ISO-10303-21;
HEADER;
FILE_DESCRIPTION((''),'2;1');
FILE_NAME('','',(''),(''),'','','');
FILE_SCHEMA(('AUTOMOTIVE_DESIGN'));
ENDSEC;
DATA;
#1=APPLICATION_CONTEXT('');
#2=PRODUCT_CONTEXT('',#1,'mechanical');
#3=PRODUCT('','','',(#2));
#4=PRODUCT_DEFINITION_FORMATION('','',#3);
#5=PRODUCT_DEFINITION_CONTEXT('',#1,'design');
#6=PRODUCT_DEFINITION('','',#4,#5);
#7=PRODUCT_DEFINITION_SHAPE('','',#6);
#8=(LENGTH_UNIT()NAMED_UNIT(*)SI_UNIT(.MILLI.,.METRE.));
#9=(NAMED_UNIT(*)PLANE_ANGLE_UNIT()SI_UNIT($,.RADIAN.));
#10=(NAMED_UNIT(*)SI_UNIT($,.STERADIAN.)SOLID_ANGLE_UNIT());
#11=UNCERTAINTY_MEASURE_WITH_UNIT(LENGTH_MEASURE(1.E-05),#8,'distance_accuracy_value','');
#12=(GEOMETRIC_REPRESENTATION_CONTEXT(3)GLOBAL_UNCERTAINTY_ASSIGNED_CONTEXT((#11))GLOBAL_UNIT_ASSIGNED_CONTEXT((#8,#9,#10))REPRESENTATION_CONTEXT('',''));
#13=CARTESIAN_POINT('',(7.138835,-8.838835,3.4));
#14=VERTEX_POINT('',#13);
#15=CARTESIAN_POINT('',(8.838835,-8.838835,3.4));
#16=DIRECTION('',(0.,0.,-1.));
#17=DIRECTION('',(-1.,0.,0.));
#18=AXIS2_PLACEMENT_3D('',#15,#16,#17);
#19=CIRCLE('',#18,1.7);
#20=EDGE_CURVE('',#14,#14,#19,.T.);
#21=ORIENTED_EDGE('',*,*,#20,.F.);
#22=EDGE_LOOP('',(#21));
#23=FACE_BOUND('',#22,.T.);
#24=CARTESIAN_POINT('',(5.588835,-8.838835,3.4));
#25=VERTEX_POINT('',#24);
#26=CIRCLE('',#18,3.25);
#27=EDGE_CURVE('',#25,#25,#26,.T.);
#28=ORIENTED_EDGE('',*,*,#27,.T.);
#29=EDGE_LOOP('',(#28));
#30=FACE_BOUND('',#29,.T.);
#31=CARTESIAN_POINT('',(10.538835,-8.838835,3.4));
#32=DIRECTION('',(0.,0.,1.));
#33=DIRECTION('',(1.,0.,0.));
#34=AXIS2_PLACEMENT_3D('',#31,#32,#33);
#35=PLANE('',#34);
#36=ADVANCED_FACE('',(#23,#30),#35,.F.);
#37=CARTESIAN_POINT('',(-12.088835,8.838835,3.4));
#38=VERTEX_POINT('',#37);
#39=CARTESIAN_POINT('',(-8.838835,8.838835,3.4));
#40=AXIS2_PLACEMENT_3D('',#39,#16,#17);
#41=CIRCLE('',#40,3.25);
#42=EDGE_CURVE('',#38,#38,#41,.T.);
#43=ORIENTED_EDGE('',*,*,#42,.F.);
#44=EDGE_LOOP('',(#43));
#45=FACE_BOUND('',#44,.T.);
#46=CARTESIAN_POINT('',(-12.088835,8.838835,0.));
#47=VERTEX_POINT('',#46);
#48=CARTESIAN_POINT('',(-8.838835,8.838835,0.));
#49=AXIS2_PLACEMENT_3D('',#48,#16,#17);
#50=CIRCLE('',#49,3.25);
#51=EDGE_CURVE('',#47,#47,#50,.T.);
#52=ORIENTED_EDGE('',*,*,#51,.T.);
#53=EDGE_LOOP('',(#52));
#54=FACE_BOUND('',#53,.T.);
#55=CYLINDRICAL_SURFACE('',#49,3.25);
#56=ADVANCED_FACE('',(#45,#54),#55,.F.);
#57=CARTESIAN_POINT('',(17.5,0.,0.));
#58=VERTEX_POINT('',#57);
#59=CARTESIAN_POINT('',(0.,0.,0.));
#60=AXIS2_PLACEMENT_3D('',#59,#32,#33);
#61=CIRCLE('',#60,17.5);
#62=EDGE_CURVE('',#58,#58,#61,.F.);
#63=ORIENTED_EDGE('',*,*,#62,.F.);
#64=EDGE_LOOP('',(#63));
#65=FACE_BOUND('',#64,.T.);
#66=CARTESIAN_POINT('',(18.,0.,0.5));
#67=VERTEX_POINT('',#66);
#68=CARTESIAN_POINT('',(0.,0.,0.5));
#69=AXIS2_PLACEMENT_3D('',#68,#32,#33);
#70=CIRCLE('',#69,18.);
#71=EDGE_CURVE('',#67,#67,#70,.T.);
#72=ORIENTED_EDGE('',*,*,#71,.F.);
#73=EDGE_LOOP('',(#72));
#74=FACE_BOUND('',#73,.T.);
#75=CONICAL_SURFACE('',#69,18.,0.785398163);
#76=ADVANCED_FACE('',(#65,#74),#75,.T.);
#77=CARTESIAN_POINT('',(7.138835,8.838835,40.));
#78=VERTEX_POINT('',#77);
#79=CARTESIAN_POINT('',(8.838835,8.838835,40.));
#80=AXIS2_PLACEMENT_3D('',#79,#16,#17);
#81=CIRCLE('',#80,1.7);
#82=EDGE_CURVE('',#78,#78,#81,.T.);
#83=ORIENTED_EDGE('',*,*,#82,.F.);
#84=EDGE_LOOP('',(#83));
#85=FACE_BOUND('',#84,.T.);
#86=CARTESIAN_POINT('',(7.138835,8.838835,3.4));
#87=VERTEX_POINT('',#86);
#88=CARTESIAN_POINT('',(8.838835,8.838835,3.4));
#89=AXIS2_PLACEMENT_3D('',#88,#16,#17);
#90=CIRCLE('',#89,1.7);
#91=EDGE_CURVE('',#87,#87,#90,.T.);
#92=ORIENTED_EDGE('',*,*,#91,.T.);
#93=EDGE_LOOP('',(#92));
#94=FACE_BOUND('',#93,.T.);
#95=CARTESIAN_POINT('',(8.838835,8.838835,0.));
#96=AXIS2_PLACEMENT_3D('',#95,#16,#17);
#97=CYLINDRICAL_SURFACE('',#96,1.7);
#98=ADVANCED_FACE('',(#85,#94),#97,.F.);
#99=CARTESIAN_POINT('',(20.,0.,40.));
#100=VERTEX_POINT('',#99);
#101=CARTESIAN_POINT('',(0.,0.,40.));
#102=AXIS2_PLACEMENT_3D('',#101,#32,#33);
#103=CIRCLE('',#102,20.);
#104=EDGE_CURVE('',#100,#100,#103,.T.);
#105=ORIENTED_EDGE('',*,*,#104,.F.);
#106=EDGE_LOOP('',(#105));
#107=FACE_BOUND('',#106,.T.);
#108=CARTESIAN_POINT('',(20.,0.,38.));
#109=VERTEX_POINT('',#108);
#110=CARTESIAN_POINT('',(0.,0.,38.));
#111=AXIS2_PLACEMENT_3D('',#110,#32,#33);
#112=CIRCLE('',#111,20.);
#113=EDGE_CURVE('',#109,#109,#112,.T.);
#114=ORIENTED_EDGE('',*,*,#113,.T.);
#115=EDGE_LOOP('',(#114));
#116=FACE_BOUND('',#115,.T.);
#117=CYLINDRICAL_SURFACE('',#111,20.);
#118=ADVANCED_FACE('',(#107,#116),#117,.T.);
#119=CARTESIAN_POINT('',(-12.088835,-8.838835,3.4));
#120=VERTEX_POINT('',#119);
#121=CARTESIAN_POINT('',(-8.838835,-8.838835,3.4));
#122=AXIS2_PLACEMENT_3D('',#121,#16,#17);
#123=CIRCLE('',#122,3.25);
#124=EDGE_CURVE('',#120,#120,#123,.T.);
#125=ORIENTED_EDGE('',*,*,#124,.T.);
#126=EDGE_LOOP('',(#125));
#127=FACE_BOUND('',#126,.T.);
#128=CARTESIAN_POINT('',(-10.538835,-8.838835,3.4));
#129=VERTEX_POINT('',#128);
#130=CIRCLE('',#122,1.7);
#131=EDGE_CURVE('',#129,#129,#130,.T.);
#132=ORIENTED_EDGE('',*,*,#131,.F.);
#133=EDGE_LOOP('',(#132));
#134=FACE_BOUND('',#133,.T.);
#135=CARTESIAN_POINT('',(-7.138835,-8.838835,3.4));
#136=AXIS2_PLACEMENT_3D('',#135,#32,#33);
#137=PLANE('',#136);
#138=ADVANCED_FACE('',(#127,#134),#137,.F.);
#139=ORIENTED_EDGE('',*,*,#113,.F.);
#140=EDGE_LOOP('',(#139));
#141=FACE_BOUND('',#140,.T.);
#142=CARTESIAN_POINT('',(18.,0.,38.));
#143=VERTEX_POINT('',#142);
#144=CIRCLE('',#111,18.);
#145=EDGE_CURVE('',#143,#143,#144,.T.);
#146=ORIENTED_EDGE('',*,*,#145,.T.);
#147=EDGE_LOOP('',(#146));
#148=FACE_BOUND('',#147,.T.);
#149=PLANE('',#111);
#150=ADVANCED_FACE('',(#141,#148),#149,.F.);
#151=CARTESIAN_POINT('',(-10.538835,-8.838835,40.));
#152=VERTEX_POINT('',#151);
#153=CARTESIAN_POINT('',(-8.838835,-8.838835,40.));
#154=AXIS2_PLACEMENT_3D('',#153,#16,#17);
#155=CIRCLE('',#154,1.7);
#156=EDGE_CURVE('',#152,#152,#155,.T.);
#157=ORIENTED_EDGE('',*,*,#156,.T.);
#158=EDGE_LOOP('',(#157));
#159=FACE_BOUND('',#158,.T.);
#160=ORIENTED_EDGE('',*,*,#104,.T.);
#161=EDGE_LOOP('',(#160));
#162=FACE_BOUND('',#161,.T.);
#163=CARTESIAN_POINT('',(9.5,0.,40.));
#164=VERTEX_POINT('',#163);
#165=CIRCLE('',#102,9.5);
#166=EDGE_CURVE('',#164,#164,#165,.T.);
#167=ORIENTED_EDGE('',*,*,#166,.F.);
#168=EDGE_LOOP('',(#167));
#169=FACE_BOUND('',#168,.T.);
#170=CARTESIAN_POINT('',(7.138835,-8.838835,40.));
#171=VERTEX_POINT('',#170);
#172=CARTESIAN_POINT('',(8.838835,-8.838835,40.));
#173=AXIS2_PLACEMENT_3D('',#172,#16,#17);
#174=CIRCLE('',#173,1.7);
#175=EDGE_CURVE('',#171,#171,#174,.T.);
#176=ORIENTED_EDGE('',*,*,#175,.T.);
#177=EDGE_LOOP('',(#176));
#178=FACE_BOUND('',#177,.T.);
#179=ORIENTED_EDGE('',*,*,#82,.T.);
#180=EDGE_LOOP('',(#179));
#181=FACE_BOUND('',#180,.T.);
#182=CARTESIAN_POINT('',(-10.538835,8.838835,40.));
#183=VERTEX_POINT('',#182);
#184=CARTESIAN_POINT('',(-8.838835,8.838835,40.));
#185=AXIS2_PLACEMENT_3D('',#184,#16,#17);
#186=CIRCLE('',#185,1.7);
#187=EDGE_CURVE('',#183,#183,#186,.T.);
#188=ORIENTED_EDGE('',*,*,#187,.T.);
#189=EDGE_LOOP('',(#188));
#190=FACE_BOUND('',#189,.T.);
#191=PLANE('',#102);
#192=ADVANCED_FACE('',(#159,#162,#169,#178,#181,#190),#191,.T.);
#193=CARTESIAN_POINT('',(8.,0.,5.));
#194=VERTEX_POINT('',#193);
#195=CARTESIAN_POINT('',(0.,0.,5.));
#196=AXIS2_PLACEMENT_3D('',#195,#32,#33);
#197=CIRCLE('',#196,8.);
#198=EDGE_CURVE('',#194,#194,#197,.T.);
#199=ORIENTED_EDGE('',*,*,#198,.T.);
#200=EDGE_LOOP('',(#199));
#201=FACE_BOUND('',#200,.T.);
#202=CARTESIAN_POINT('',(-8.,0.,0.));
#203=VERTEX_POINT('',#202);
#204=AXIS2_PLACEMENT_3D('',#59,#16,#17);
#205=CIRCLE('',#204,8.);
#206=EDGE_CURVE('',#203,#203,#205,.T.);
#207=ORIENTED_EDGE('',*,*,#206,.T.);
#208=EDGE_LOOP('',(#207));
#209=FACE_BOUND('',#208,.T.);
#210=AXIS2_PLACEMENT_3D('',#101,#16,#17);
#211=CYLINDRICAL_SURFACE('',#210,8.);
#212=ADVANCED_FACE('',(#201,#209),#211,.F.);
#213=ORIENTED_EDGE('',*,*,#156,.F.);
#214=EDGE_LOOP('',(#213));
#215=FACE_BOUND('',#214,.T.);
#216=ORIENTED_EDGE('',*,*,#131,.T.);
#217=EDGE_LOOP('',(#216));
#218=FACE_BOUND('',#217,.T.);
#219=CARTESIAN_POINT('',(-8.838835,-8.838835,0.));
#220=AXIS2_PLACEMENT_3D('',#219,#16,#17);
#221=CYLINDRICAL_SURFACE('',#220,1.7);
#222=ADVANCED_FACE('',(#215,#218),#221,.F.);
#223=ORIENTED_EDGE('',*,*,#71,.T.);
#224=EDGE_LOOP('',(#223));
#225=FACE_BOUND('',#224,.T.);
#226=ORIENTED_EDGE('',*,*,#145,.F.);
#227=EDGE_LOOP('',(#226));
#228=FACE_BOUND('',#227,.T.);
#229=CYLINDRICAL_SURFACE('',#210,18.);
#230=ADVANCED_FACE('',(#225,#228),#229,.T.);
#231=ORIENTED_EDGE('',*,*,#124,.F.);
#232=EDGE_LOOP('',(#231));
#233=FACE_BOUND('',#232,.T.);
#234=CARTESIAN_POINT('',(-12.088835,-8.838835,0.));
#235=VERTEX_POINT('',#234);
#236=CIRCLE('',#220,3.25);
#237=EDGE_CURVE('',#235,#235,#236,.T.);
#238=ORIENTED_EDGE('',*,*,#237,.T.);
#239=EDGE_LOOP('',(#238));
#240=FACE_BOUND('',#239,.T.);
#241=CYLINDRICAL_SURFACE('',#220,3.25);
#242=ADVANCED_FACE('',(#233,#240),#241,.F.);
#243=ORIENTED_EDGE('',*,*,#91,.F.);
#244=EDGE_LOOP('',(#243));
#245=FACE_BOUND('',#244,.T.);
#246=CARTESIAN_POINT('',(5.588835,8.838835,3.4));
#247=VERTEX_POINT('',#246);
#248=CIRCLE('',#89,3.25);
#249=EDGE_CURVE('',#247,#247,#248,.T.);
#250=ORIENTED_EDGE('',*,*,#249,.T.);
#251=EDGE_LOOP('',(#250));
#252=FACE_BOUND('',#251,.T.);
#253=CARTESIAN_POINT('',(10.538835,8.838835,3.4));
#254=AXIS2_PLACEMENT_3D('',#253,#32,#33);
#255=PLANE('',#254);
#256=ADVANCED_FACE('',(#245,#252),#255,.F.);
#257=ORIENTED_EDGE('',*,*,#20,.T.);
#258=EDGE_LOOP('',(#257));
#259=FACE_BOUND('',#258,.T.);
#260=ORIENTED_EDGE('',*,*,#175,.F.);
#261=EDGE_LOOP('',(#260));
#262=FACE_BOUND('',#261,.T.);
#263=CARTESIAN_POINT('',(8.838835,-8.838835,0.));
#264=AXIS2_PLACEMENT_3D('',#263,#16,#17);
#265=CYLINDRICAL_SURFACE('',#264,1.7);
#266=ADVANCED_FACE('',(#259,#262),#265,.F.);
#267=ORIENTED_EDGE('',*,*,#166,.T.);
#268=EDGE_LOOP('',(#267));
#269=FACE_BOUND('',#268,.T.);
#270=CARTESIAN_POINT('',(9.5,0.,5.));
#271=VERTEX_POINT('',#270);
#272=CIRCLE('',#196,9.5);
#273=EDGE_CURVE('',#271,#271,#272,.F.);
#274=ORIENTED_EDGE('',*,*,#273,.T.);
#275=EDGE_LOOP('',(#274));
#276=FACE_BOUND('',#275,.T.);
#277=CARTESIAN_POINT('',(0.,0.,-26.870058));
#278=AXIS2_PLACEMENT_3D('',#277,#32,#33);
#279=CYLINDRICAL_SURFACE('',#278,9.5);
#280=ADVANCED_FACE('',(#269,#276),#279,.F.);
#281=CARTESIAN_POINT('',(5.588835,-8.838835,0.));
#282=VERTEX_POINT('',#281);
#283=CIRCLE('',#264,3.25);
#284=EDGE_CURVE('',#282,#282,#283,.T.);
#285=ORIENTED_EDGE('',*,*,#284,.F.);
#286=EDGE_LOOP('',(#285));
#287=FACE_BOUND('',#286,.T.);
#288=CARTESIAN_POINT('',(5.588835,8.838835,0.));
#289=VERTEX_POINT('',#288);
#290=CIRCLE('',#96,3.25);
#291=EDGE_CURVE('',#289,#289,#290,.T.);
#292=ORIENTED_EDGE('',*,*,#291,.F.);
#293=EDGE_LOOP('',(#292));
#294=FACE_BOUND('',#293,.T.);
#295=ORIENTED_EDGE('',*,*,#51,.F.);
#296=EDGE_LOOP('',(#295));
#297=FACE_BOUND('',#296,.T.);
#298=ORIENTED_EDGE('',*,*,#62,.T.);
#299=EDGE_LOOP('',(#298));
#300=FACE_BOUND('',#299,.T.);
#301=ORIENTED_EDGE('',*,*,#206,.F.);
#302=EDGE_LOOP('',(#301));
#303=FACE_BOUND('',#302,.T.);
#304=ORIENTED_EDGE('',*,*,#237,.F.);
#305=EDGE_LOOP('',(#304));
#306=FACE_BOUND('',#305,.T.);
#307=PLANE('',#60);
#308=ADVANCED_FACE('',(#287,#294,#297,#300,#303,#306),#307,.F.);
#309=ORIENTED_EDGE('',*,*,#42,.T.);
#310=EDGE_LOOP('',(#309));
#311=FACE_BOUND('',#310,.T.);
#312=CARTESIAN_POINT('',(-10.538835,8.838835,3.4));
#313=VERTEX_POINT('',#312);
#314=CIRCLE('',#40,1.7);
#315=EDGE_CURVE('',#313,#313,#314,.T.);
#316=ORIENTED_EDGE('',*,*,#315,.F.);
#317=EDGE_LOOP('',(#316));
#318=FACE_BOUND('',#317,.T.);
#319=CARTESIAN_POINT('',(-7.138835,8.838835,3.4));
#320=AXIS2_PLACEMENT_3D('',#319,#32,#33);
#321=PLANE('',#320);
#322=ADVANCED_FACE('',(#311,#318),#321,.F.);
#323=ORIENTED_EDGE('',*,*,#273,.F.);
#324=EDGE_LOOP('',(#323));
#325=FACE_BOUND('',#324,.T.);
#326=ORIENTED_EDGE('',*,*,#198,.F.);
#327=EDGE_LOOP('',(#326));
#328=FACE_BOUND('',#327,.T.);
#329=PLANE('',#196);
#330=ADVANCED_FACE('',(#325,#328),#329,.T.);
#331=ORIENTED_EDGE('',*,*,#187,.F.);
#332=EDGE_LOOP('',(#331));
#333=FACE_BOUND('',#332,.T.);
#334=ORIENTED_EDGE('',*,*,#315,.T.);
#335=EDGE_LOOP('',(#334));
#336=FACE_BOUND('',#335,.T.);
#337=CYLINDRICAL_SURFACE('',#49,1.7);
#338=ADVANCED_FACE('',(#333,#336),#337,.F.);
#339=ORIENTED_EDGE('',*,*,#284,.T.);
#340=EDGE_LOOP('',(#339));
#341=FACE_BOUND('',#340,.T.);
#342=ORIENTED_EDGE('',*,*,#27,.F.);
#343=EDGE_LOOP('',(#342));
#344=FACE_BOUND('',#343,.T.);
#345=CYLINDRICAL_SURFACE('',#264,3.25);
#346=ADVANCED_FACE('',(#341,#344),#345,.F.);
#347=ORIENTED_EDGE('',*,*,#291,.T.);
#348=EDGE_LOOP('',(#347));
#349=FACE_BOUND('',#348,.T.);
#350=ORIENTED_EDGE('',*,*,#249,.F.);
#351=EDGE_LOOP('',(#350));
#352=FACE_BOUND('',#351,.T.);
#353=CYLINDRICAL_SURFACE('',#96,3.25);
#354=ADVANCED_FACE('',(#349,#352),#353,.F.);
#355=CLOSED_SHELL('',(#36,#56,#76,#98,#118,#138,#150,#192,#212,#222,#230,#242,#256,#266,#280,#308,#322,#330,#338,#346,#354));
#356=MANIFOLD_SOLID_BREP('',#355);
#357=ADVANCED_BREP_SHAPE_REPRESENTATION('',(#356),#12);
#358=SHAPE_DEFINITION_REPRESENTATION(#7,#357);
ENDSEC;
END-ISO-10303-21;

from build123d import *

# Parameters (mm, degrees)
ESQUISSE1_R                                         = 18
BOSS_EXTRU_1_DEPTH                                  = 40
SKETCH1_R                                           = 20
BOSS_EXTRUDE1_DEPTH                                 = 2
CBORE_FOR_M3_HEX_SOCKET_HEAD_CAP_SCREW1_D           = 3.4
CBORE_FOR_M3_HEX_SOCKET_HEAD_CAP_SCREW1_CBORE_D     = 6.5
CBORE_FOR_M3_HEX_SOCKET_HEAD_CAP_SCREW1_CBORE_DEPTH = 3.4
ESQUISSE5_R                                         = 9.5
ENL_V_MAT_EXTRU_1_DEPTH                             = 35
ESQUISSE6_R                                         = 8
CUT_EXTRUDE2_DEPTH                                  = 41
CHAMFER1_SIZE                                       = 0.5


with BuildPart() as part:
    # Esquisse1 → Boss.-Extru.1 (new body)
    with BuildSketch(Plane.XY):
        Circle(ESQUISSE1_R)
    extrude(amount=BOSS_EXTRU_1_DEPTH)

    # Sketch1 → Boss-Extrude1 (add)
    with BuildSketch(Plane.XY.offset(40)):
        Circle(SKETCH1_R)
    extrude(amount=-BOSS_EXTRUDE1_DEPTH)

    # CBORE for M3 Hex Socket Head Cap Screw1 (through all)
    with Locations(Plane(origin=(0, 0, 0), x_dir=(-1, 0, 0), z_dir=(0, 0, -1))):
        with Locations((-8.838834765, -8.838834765), (-8.838834765, 8.838834765), (8.838834765, -8.838834765), (8.838834765, 8.838834765), (0, 0)):
            CounterBoreHole(CBORE_FOR_M3_HEX_SOCKET_HEAD_CAP_SCREW1_D / 2, CBORE_FOR_M3_HEX_SOCKET_HEAD_CAP_SCREW1_CBORE_D / 2, CBORE_FOR_M3_HEX_SOCKET_HEAD_CAP_SCREW1_CBORE_DEPTH)

    # Esquisse5 → Enlèv. mat.-Extru.1 (cut)
    with BuildSketch(Plane.XY.offset(40)):
        Circle(ESQUISSE5_R)
    extrude(amount=-ENL_V_MAT_EXTRU_1_DEPTH, mode=Mode.SUBTRACT)

    # Esquisse6 → Cut-Extrude2 (cut, through all)
    with BuildSketch(Plane(origin=(0, 0, 0), x_dir=(-1, 0, 0), z_dir=(0, 0, -1))):
        Circle(ESQUISSE6_R)
    extrude(amount=-CUT_EXTRUDE2_DEPTH, mode=Mode.SUBTRACT)

    # Chamfer1
    chamfer1_edges = [part.edges().sort_by_distance(p)[0] for p in [
        (-18, 0, 0),
    ]]
    chamfer(chamfer1_edges, length=CHAMFER1_SIZE)


solid = part.part
